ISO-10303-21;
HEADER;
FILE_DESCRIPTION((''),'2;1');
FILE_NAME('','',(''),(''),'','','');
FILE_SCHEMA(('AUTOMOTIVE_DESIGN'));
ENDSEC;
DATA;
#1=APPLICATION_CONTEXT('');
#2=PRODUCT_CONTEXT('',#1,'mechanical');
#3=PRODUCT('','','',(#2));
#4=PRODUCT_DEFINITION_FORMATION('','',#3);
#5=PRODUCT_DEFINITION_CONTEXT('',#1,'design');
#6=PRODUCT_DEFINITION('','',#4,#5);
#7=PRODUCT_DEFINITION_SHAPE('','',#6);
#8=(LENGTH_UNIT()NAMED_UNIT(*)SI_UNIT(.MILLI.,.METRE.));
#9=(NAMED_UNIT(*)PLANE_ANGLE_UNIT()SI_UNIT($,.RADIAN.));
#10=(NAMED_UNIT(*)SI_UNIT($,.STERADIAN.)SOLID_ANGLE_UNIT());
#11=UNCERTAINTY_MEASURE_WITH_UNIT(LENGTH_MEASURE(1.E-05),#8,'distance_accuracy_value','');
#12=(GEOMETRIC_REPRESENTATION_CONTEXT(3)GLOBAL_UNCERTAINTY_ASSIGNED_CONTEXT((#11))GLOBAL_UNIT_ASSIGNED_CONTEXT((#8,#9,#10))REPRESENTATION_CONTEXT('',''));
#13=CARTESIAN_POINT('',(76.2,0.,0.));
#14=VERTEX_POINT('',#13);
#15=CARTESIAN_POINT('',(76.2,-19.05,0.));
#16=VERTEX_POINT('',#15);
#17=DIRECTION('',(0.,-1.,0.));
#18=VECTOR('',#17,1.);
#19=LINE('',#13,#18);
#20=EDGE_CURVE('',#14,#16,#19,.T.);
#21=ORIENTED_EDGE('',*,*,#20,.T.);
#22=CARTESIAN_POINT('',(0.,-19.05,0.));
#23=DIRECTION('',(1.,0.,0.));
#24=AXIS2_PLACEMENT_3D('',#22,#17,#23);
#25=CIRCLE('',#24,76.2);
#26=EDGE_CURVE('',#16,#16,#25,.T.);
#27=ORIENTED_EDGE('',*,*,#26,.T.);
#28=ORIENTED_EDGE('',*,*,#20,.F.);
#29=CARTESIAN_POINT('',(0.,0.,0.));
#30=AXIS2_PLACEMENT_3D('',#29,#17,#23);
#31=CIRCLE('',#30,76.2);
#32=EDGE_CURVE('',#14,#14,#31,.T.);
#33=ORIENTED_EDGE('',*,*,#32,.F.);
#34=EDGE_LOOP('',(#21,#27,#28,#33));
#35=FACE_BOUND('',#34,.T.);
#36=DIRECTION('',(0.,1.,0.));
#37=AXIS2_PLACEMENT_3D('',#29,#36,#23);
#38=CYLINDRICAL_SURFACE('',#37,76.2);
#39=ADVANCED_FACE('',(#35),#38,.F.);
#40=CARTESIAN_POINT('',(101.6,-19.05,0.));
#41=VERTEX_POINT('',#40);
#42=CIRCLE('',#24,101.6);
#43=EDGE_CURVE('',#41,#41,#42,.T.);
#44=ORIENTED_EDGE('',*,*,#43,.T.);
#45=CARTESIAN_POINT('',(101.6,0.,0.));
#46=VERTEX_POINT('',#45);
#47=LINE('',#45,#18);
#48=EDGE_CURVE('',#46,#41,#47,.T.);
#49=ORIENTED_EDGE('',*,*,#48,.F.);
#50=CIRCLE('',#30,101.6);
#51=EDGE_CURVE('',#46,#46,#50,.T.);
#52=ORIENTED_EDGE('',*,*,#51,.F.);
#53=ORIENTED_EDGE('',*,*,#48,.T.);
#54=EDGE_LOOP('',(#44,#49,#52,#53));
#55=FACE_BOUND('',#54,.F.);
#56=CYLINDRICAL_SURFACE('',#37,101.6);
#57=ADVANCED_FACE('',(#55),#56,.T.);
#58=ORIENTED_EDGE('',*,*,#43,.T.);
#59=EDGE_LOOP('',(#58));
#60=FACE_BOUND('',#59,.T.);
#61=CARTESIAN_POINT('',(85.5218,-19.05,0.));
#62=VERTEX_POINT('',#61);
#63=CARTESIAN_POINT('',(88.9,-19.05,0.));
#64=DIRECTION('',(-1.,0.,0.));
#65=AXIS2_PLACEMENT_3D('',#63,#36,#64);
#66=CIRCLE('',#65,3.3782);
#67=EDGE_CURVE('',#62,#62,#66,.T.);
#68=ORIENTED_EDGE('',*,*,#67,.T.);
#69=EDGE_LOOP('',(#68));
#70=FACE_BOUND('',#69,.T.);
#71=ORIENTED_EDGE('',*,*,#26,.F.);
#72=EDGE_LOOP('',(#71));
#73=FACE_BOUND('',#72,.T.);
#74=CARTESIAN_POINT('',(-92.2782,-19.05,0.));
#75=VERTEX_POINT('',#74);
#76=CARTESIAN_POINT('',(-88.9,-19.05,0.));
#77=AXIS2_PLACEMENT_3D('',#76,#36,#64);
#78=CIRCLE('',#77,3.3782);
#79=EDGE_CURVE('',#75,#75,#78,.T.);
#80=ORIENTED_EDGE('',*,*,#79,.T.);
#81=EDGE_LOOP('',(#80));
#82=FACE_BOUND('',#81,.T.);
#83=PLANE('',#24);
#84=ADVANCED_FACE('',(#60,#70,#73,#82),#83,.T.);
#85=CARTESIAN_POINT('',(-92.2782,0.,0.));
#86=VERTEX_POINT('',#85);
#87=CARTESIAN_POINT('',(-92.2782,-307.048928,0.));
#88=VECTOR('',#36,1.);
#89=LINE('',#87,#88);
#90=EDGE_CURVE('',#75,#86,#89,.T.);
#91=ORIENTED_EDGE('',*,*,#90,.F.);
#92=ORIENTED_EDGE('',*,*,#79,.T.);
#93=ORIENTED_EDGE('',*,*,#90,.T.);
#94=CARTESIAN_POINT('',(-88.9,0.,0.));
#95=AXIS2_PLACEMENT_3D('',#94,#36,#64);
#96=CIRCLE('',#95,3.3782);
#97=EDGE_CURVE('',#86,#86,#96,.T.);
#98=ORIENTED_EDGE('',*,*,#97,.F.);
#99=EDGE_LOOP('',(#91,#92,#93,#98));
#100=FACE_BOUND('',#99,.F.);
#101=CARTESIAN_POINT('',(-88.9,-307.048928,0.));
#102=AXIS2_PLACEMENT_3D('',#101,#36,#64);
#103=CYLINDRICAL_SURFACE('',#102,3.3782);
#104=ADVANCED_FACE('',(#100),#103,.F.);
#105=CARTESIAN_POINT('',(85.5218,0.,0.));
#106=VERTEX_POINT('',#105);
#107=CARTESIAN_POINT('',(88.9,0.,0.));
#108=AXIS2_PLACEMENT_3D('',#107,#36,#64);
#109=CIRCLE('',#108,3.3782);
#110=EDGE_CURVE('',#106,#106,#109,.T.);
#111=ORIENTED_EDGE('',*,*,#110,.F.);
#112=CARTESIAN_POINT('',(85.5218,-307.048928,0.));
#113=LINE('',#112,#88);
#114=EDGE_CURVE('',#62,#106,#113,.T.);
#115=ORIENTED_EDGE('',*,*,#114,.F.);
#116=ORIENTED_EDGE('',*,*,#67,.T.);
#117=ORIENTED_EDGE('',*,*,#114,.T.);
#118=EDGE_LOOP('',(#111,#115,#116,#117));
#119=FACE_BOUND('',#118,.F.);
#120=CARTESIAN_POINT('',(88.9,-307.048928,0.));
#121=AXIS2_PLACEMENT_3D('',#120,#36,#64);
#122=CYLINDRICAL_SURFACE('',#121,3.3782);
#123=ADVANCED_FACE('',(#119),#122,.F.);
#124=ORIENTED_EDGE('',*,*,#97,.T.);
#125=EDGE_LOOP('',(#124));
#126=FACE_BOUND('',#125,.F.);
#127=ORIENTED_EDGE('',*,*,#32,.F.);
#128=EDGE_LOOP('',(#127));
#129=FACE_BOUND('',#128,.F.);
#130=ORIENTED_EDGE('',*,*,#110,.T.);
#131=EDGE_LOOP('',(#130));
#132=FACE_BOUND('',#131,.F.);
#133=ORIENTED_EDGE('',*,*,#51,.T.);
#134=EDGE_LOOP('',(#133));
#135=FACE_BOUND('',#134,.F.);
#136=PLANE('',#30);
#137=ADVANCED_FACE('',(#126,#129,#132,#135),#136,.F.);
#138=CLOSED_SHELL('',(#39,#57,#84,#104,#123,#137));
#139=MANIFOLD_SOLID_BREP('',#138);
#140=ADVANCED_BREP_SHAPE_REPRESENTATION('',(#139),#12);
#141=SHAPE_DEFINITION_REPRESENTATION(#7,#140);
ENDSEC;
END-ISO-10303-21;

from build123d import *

# Parameters (mm, degrees)
F0_R     = 101.6
F0_R_2   = 76.2
F1_DEPTH = 19.05
F3_D     = 6.7564


with BuildPart() as f1:
    # F0 (on Front) → F1 (new body)
    with BuildSketch(Plane.XZ):
        Circle(F0_R)
        Circle(F0_R_2, mode=Mode.SUBTRACT)
    extrude(amount=F1_DEPTH)

    # F3 (through all)
    with Locations(Plane.XZ.offset(19.05)):
        with Locations((-88.9, 0), (88.9, 0)):
            Hole(F3_D / 2)


solid = f1.part
